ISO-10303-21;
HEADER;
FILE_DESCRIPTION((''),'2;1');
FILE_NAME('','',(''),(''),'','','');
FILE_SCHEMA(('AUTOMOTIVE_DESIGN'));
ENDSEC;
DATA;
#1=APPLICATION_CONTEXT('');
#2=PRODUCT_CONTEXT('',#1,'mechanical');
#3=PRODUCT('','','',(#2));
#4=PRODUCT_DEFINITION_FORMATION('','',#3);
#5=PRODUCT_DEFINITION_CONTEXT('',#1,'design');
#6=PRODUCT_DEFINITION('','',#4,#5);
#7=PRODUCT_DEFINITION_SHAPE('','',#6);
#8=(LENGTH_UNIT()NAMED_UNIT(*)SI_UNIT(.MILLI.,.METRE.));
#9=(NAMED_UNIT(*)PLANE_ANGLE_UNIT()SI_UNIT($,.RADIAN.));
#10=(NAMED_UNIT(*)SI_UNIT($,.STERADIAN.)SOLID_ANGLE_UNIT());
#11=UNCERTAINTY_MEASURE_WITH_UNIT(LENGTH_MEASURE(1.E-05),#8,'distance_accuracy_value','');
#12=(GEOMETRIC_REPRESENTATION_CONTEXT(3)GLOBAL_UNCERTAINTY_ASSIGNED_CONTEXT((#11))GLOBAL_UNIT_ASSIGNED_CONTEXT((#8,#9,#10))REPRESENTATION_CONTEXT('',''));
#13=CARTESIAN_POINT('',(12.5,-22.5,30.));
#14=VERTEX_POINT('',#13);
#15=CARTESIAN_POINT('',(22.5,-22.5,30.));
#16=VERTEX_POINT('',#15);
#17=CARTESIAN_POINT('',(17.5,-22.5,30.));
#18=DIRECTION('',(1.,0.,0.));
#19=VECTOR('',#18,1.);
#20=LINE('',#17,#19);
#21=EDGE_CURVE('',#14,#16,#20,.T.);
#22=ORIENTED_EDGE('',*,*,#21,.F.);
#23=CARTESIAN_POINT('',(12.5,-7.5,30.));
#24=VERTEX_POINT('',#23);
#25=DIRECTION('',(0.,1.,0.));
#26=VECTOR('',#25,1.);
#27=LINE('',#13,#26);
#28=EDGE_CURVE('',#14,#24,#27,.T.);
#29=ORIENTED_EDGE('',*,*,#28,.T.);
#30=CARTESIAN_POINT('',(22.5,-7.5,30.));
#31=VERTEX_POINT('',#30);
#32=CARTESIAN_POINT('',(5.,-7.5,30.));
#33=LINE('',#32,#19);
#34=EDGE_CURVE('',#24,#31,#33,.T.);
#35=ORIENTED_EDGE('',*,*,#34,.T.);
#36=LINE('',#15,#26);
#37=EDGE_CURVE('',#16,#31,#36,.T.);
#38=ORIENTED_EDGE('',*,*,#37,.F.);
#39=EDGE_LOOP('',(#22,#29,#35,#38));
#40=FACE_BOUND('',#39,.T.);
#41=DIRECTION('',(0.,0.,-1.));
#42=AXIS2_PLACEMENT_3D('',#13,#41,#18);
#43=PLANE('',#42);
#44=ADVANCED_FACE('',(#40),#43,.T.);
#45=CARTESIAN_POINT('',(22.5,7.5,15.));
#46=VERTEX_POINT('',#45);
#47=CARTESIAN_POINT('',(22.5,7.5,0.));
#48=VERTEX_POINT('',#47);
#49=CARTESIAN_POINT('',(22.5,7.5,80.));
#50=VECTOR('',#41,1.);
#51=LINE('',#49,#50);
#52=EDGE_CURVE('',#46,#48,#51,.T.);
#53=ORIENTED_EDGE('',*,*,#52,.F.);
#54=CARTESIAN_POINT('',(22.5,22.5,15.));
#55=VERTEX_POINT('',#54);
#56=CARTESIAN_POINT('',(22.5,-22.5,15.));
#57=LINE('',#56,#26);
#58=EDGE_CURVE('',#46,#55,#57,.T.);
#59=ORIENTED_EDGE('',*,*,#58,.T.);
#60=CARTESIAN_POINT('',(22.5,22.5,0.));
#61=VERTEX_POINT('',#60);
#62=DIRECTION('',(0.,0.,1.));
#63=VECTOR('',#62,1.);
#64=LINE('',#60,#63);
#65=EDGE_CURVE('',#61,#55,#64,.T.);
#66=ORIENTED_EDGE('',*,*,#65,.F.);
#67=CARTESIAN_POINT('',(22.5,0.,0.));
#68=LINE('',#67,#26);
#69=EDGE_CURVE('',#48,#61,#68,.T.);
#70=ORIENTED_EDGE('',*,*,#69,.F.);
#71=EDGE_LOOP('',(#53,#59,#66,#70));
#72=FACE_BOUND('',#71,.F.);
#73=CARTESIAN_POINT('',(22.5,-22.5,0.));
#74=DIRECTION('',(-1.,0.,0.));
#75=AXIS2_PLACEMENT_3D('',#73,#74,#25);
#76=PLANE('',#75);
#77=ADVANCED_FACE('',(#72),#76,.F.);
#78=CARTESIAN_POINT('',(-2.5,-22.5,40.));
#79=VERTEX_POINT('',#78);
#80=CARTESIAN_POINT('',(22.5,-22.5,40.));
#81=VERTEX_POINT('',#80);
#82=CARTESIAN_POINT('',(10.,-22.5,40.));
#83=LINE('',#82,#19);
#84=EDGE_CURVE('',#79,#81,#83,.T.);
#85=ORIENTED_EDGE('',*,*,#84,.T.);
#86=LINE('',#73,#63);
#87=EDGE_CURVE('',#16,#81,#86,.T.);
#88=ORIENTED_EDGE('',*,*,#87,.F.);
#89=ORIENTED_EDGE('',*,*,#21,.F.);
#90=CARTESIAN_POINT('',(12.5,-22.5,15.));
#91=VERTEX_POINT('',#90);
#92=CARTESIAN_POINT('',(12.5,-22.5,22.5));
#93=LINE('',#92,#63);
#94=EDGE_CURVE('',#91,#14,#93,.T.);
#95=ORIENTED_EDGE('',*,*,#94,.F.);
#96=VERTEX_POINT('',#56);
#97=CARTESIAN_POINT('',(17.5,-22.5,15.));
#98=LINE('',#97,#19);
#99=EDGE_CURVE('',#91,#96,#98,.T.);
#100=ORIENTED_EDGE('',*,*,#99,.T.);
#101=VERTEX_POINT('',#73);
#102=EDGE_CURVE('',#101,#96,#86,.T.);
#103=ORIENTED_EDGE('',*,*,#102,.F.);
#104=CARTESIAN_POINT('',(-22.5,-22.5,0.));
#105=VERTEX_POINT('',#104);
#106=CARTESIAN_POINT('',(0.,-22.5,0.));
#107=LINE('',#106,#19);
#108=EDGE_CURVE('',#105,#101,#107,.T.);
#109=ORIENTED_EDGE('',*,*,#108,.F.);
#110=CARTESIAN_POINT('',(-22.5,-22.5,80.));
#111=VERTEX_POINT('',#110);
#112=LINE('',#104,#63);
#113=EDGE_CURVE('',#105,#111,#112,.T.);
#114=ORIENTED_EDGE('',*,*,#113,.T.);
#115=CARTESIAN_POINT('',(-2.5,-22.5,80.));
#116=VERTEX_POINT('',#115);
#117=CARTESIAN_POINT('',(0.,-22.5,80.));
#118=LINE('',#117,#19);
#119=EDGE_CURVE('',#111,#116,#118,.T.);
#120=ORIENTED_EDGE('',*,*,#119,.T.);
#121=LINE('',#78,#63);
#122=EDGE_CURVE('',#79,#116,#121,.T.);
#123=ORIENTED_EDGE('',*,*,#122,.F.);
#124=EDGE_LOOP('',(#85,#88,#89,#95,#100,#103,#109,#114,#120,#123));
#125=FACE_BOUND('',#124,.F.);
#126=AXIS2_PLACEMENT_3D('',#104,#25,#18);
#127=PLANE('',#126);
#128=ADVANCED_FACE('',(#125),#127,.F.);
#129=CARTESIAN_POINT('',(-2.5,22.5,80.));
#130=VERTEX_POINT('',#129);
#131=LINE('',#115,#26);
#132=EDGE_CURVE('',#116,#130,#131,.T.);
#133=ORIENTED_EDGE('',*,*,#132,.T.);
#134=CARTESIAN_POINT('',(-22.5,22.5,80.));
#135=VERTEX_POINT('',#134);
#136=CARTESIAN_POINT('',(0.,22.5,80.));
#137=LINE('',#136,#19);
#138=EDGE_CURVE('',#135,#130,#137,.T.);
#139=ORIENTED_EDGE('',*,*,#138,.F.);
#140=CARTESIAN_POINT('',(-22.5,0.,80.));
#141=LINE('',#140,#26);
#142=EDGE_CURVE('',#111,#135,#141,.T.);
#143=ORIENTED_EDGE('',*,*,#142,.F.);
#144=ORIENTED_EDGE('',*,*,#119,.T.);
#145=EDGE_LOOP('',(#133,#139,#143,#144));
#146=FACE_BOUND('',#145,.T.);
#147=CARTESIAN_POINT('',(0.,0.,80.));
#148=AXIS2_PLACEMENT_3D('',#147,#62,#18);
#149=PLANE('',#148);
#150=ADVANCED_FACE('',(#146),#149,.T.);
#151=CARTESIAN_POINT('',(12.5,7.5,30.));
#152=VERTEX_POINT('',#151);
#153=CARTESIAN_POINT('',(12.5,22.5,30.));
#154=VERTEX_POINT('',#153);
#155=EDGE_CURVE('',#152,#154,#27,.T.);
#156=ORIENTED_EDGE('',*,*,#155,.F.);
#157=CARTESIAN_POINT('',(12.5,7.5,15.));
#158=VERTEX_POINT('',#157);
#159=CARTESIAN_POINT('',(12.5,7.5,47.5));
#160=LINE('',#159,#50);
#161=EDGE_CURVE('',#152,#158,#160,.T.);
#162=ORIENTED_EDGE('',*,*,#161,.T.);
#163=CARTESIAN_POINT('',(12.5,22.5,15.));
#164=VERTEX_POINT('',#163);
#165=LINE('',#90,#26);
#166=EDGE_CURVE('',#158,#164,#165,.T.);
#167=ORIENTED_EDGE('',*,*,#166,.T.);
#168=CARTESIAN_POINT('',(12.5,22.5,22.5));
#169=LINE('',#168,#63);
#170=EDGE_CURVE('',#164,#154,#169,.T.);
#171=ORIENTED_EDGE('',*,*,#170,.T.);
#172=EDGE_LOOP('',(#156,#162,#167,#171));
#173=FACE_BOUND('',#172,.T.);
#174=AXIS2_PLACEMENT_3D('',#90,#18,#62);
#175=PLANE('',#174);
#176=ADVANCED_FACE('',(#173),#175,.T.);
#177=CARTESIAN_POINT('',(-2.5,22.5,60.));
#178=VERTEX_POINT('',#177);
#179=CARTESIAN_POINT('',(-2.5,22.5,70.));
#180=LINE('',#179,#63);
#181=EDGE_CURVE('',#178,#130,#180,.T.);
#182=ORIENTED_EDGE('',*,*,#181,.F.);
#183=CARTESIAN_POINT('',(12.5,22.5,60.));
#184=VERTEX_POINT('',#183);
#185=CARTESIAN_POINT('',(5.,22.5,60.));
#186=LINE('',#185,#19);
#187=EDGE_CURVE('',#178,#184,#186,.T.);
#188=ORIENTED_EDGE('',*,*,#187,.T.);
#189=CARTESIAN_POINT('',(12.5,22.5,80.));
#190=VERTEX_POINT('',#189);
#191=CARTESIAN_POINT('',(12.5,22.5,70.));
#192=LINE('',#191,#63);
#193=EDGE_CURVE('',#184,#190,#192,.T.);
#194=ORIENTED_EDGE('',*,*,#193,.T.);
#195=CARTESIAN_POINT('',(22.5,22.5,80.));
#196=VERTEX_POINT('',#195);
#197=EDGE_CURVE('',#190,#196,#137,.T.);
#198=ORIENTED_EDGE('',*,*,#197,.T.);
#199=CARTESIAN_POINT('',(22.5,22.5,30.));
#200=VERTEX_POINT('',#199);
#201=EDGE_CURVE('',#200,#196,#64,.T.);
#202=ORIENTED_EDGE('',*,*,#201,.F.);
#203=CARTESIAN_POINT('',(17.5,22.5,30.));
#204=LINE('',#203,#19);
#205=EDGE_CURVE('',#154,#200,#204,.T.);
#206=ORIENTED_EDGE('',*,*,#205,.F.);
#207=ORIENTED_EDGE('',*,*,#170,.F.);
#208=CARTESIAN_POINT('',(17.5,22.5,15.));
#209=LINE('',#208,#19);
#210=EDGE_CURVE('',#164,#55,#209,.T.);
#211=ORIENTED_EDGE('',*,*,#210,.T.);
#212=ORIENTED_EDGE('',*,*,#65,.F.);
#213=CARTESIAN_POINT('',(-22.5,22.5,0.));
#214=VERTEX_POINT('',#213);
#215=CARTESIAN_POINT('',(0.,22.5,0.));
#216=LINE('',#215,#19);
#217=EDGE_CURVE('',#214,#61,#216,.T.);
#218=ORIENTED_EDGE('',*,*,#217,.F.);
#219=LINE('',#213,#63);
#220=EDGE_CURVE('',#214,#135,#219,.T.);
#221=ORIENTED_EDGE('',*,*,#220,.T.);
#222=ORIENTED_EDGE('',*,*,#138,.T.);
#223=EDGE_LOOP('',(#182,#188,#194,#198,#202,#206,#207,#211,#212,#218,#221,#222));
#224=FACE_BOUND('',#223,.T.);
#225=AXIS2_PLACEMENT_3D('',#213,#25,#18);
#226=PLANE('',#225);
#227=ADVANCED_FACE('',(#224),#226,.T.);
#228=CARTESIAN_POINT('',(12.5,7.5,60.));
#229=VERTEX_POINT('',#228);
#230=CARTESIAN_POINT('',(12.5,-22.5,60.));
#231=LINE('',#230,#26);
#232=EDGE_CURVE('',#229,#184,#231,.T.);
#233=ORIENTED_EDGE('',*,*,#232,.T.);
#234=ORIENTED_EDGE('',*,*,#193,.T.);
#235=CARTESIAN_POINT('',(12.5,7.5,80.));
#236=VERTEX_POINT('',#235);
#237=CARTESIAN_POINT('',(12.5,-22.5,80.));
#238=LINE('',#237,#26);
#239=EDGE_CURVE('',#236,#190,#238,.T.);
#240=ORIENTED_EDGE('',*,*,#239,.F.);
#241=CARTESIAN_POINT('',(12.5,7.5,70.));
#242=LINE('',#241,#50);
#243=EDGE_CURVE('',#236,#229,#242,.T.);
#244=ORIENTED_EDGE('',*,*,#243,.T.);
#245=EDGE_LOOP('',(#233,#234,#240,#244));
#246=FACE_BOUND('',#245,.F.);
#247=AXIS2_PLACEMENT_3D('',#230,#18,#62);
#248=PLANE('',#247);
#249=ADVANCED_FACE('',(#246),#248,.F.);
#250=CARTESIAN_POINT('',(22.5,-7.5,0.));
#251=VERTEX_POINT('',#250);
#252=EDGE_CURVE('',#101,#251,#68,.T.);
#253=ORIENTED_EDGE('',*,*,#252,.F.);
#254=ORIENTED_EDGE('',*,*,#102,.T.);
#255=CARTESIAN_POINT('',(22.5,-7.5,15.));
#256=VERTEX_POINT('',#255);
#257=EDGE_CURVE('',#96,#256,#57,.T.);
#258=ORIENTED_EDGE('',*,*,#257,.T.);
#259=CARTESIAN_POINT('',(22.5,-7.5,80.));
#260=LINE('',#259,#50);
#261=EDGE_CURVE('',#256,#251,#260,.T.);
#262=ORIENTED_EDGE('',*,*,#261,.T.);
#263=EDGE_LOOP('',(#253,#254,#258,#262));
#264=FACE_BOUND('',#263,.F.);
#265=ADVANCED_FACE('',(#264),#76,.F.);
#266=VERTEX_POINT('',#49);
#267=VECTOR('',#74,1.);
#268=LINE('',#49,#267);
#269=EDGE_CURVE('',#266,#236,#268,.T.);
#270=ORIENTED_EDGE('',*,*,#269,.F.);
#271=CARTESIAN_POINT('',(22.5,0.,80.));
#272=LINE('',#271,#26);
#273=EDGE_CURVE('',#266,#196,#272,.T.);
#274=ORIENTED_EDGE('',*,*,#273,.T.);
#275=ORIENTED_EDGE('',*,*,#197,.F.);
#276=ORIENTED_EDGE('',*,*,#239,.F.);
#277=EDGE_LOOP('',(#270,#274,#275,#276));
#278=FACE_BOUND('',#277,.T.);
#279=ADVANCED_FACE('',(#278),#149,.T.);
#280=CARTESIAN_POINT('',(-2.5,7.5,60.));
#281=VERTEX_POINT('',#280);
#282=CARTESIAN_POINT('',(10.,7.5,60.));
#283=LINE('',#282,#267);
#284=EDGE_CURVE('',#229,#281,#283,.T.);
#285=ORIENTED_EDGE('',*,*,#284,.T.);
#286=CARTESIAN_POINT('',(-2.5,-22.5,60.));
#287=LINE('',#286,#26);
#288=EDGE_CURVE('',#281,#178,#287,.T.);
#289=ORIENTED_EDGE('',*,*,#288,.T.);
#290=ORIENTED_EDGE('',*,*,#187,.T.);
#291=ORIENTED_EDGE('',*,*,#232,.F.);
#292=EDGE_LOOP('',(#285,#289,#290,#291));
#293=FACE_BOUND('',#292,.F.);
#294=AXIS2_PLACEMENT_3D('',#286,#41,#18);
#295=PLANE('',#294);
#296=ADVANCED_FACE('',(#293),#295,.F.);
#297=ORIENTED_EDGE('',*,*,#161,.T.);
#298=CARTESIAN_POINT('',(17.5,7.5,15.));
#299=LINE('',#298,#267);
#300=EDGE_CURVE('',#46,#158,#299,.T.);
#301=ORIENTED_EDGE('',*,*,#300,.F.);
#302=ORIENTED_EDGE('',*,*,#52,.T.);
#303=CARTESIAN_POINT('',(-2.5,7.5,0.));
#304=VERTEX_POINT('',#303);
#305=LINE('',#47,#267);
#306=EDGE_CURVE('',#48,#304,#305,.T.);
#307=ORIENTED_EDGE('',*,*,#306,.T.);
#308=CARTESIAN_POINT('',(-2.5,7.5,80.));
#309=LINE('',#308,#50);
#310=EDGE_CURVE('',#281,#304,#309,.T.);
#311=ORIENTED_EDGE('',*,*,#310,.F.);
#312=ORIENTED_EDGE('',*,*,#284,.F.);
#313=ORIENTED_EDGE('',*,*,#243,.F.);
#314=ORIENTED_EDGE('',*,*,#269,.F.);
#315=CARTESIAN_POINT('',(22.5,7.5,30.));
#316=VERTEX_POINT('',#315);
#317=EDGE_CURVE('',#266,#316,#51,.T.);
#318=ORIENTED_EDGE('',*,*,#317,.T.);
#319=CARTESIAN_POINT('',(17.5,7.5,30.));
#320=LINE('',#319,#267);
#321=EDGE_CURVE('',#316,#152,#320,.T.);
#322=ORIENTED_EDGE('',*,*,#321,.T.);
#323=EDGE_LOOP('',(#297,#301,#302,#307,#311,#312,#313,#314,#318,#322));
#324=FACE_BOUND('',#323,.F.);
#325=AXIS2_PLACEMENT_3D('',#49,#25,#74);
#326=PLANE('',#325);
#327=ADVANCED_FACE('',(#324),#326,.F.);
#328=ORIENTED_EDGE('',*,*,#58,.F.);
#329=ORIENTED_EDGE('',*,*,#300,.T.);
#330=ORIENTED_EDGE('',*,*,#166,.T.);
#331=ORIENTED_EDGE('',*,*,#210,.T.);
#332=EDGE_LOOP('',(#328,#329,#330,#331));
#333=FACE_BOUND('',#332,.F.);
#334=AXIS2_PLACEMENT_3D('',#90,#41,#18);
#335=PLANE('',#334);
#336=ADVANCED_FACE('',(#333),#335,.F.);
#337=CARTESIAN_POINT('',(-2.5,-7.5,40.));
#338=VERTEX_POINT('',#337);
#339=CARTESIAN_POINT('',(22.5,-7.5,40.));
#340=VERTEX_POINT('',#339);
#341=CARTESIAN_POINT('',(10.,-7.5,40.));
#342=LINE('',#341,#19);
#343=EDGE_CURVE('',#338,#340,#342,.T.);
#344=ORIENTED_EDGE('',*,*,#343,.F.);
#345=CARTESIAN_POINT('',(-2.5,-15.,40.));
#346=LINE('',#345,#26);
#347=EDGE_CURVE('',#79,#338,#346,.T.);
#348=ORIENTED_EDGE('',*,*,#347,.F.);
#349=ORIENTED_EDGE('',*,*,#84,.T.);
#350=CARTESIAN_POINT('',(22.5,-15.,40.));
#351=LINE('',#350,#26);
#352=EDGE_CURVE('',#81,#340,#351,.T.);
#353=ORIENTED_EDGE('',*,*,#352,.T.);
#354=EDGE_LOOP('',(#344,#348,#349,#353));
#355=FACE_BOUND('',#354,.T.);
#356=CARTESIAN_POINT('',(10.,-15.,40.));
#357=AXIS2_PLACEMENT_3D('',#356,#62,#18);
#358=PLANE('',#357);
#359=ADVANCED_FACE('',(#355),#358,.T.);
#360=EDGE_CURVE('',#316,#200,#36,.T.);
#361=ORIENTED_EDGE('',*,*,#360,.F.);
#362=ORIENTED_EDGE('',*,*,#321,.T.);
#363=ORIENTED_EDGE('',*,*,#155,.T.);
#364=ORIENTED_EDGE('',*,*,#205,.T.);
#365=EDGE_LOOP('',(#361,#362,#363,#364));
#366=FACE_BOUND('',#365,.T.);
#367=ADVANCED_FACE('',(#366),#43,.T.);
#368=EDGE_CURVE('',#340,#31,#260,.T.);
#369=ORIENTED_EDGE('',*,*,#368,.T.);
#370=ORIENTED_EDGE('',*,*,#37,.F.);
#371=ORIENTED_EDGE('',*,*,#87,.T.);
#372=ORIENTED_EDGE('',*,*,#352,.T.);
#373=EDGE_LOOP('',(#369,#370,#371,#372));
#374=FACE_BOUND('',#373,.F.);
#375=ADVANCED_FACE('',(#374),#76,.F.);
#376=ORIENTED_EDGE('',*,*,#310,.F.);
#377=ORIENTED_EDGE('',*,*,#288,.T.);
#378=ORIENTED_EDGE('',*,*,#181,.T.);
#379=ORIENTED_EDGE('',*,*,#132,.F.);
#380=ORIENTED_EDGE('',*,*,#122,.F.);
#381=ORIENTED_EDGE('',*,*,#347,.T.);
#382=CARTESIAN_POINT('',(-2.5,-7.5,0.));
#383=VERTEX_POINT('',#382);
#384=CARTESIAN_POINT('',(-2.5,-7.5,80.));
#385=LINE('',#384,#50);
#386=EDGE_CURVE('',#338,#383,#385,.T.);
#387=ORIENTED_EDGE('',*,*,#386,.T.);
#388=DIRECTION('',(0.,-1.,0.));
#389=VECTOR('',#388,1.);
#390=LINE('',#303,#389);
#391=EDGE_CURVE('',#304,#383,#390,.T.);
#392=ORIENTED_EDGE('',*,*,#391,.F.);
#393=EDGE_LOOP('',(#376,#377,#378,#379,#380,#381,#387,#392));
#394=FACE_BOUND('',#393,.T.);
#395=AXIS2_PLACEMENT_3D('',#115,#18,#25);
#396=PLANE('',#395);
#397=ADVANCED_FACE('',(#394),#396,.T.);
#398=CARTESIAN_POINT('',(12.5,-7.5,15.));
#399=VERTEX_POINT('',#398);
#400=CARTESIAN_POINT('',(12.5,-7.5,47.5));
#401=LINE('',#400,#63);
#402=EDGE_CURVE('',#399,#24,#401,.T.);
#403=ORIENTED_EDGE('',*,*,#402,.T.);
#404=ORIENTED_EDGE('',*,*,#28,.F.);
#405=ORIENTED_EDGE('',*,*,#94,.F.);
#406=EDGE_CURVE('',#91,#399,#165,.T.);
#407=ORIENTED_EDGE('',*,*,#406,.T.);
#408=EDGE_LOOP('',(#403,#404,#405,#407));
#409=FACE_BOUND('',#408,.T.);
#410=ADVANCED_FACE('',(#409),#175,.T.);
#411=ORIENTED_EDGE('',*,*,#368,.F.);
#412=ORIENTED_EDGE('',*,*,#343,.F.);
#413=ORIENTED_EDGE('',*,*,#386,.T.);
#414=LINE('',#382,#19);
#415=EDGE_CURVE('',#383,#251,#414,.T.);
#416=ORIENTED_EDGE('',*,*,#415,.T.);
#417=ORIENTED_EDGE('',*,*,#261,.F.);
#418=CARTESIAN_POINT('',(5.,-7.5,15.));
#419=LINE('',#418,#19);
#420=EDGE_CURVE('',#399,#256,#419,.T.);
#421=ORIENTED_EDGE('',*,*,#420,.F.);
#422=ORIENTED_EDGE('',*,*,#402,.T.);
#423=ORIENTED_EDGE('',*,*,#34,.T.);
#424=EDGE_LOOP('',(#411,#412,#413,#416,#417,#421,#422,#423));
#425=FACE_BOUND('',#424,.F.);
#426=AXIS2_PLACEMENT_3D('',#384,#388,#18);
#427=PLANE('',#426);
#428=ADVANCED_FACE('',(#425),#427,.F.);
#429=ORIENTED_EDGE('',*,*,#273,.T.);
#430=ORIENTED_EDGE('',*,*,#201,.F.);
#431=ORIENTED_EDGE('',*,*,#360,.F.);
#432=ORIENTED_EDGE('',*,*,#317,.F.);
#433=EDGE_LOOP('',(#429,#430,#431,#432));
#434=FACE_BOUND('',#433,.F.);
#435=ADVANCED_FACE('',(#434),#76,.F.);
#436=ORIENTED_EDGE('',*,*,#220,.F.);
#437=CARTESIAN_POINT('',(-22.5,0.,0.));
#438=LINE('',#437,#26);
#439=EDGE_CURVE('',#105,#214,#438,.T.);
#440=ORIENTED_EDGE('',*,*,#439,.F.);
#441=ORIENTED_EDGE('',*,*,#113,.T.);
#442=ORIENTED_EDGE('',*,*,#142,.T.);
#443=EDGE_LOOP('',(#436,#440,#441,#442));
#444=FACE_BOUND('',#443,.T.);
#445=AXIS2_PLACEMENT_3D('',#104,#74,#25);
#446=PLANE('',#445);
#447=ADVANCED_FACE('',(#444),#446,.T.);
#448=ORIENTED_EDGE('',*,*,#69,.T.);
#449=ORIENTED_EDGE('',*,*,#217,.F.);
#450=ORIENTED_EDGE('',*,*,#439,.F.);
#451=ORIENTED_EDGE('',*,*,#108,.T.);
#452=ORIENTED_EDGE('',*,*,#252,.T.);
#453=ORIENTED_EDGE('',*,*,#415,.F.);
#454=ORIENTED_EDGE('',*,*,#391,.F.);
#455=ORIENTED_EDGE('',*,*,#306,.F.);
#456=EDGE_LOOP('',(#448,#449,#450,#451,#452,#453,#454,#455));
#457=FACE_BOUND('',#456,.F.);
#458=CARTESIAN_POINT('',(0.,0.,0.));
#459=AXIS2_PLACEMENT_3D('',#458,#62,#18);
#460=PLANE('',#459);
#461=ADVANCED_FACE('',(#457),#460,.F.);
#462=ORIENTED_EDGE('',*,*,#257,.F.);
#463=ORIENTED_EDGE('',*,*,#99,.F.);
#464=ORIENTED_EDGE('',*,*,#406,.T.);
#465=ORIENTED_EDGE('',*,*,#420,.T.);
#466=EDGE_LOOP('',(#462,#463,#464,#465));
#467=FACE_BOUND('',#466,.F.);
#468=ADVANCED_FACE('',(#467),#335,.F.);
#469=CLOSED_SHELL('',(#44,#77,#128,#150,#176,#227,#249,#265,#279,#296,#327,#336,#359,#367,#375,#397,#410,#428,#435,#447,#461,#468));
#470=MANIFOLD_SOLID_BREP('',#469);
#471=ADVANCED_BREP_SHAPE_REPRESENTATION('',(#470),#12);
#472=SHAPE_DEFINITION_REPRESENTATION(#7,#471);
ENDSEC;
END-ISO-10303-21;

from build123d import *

# Parameters (mm, degrees)
F0_W     = 45
F0_H     = 45
F1_DEPTH = 80
F4_DEPTH = 80
F3_W     = 15
F3_H     = 20
F3_W_2   = 10
F3_H_2   = 15
F5_DEPTH = 45
F6_W     = 25
F6_H     = 15
F7_DEPTH = 40
F8_DEPTH = 40


with BuildPart() as f1:
    # F0 (on Top) → F1 (new body)
    with BuildSketch(Plane.XY):
        Rectangle(F0_W, F0_H)
    extrude(amount=F1_DEPTH)

    # F2 (on face) → F4 (cut)
    with BuildSketch(Plane.XY.offset(80)):
        Polygon((22.5, -7.5), (22.5, 7.5), (12.5, 7.5), (-2.5, 7.5), (-2.5, -7.5), (12.5, -7.5), align=None)
    extrude(amount=-F4_DEPTH, mode=Mode.SUBTRACT)

    # F3 (on face) → F5 (cut)
    with BuildSketch(Plane.XZ.offset(22.5)):
        with Locations((5, 70)):
            Rectangle(F3_W, F3_H)
        with Locations((17.5, 22.5)):
            Rectangle(F3_W_2, F3_H_2)
    extrude(amount=-F5_DEPTH, mode=Mode.SUBTRACT)

    # F6 (on face) → F7 (cut)
    with BuildSketch(Plane.XY.offset(80)):
        with Locations((10, -15)):
            Rectangle(F6_W, F6_H)
    extrude(amount=-F7_DEPTH, mode=Mode.SUBTRACT)

    # F6 (on face) → F8 (cut)
    with BuildSketch(Plane.XY.offset(80)):
        with Locations((10, -15)):
            Rectangle(F6_W, F6_H)
    extrude(amount=-F8_DEPTH, mode=Mode.SUBTRACT)


solid = f1.part
